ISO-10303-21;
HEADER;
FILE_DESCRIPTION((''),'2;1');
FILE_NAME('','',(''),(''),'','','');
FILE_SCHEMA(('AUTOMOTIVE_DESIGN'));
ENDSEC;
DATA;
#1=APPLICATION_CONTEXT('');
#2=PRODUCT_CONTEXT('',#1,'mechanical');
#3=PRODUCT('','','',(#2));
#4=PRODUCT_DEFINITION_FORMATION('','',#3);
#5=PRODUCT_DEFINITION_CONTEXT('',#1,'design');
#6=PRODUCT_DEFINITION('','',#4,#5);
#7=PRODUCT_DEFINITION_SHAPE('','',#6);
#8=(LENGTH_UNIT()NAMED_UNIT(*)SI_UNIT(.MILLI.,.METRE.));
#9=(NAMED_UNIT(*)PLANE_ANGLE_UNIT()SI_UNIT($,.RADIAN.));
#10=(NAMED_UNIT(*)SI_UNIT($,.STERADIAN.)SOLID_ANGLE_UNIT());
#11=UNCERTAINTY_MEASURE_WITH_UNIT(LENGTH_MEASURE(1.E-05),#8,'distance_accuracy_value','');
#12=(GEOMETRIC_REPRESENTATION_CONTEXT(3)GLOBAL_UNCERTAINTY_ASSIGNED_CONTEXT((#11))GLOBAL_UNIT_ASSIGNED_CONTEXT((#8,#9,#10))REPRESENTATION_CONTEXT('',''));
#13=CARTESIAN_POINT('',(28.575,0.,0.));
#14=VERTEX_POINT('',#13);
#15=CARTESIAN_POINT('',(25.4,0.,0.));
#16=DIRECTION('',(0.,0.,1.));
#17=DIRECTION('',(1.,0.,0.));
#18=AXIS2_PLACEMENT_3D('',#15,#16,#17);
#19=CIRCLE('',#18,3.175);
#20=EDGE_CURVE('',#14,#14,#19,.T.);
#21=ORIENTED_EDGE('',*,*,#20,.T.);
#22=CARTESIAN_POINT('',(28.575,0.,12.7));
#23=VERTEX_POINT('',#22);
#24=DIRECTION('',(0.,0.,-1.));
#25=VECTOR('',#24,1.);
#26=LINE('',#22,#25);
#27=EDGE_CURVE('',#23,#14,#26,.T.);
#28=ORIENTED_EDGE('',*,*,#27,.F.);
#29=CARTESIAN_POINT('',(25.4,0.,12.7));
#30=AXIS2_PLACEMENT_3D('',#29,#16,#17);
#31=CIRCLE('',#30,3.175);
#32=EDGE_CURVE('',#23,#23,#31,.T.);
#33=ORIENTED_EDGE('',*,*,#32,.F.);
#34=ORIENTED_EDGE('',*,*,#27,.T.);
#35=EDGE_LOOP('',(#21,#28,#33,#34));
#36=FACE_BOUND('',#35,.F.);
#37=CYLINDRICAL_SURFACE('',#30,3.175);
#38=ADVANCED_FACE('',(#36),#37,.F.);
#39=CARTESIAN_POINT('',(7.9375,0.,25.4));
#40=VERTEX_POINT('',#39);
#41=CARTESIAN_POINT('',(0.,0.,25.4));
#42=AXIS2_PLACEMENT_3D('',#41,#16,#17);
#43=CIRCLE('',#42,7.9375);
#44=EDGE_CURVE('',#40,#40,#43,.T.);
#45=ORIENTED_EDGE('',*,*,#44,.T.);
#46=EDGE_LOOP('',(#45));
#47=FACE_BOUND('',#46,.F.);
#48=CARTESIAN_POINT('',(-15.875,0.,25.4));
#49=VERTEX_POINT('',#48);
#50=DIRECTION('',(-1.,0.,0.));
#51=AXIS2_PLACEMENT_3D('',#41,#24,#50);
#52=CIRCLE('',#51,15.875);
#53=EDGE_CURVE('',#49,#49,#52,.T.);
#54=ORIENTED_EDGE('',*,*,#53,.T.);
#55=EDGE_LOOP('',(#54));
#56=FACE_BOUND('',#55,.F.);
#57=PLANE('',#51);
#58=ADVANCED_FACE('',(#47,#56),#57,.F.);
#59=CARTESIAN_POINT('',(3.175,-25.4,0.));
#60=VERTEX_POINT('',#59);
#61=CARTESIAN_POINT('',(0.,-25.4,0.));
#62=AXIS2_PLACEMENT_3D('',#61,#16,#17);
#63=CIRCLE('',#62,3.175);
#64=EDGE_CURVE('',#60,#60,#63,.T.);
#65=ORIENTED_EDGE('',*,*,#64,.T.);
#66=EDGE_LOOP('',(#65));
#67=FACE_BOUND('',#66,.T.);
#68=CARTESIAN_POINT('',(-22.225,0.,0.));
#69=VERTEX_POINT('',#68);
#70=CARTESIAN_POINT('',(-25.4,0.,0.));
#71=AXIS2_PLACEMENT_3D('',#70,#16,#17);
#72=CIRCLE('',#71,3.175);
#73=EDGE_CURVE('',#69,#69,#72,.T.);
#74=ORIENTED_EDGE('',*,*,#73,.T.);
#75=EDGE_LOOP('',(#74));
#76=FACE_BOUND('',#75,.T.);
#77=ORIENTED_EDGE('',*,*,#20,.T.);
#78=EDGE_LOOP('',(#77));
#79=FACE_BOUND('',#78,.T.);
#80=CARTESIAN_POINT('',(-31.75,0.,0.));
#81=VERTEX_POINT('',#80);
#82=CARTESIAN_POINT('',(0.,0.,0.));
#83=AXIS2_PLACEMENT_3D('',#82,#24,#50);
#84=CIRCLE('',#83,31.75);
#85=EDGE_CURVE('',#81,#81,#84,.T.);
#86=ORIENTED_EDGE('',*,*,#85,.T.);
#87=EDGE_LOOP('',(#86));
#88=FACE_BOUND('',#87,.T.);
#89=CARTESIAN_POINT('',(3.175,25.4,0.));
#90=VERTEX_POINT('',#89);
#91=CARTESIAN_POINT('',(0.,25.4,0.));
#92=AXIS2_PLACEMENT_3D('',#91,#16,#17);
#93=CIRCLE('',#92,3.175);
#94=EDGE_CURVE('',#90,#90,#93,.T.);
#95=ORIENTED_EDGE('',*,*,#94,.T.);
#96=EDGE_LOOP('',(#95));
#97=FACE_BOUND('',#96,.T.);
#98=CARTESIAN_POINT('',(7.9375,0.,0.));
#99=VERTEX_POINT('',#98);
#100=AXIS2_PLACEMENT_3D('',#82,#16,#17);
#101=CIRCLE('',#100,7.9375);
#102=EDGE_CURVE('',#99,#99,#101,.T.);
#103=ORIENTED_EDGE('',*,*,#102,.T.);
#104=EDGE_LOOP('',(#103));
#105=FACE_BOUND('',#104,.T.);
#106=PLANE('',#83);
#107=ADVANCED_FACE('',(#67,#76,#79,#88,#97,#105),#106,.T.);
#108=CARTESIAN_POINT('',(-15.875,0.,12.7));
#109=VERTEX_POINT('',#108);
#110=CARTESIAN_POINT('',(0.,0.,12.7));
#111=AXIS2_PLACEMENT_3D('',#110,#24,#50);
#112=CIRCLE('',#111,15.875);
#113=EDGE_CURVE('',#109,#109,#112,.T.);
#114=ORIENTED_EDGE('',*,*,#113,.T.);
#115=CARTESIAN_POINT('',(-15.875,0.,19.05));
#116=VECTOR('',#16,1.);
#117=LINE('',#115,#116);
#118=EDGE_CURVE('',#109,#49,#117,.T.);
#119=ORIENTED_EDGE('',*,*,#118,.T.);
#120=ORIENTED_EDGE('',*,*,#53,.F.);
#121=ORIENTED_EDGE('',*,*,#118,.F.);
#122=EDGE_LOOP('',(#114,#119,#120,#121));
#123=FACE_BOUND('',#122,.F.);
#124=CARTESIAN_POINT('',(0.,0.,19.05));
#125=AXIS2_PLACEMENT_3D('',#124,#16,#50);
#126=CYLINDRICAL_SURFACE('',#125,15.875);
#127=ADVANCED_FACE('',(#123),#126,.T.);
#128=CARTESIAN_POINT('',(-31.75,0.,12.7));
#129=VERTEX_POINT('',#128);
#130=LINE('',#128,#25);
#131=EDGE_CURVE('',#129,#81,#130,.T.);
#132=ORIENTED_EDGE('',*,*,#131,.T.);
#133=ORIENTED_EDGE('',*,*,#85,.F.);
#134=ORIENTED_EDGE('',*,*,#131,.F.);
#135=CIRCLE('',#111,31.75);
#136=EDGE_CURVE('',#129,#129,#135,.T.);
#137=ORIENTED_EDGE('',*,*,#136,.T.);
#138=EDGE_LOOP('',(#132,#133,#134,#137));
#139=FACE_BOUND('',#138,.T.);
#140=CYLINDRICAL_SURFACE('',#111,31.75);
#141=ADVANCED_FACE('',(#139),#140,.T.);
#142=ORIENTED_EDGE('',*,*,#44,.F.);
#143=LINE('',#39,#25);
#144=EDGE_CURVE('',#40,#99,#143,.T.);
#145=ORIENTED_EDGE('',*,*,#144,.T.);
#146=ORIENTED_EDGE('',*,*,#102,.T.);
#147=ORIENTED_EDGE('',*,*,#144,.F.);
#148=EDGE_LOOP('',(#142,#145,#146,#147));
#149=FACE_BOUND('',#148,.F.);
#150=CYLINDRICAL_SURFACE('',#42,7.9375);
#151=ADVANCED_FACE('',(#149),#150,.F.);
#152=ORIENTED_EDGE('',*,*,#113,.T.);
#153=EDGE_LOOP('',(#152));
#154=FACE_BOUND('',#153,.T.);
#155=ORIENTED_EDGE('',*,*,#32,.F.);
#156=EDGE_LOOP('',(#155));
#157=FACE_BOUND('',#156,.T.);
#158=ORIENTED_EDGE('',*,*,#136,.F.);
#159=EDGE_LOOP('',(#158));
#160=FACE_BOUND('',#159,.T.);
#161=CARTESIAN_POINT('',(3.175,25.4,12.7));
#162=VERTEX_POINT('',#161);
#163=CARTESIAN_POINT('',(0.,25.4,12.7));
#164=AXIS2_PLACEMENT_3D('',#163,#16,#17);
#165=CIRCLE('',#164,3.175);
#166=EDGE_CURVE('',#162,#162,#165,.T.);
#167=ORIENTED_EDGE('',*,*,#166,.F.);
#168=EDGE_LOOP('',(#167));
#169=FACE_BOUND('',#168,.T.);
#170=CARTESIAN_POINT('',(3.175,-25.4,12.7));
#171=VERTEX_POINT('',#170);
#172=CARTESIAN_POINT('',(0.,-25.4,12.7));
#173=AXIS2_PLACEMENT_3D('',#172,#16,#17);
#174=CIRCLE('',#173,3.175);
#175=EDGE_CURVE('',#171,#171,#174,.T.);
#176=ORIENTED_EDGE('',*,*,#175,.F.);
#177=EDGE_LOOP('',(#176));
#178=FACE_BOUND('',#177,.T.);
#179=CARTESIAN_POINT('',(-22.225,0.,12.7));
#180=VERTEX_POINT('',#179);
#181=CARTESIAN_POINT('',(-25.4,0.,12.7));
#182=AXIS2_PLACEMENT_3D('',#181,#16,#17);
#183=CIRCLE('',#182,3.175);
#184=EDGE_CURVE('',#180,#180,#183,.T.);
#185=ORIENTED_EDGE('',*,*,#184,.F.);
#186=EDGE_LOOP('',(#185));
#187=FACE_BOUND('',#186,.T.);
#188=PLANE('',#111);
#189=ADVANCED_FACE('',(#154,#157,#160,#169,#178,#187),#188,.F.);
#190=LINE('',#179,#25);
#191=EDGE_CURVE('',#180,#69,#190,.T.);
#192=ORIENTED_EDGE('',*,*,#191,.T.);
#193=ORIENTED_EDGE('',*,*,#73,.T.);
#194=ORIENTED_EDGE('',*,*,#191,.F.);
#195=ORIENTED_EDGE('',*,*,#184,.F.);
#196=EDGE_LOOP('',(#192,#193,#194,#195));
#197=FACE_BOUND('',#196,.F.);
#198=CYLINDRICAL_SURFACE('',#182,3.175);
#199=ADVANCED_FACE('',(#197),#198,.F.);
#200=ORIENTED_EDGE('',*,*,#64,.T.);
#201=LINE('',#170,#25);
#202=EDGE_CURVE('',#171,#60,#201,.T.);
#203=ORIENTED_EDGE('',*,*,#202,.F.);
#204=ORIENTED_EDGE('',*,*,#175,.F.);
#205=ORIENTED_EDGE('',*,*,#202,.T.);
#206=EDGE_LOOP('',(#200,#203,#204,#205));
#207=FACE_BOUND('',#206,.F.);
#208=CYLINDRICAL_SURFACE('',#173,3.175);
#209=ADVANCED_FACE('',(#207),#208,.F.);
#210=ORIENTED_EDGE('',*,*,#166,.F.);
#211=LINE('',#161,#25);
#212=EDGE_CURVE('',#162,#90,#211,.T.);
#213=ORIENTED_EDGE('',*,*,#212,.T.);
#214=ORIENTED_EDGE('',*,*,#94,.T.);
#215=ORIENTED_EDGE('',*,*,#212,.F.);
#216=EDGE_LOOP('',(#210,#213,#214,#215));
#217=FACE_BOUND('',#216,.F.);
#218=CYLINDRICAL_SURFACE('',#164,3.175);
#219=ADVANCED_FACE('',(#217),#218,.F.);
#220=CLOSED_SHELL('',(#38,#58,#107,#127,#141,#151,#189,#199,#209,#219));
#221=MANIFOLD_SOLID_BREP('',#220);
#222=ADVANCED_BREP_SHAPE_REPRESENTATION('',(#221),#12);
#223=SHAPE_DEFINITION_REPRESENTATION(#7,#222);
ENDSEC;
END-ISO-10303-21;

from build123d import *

# Parameters (mm, degrees)
F0_W     = 15.875
F0_H     = 12.7
F2_R     = 7.9375
F3_DEPTH = 25.401
F4_R     = 3.175
F5_DEPTH = 12.701


with BuildPart() as f1:
    # F0 (on Front) → F1 (revolve)
    with BuildSketch(Plane.XZ):
        Polygon((-31.75, 0), (0, 0), (0, 12.7), (-15.875, 12.7), (-31.75, 12.7), align=None)
        with Locations((-7.9375, 19.05)):
            Rectangle(F0_W, F0_H)
    revolve(axis=Axis((0, 0, 2.126115), (0, 0, -1)))

    # F2 (on face) → F3 (cut, through all)
    with BuildSketch(Plane.XY.offset(25.4)):
        Circle(F2_R)
    extrude(amount=-F3_DEPTH, mode=Mode.SUBTRACT)

    # F4 (on face) → F5 (cut, through all)
    with BuildSketch(Plane.XY.offset(12.7)):
        with Locations((0, 25.4)):
            Circle(F4_R)
        with Locations((25.4, 0)):
            Circle(F4_R)
        with Locations((0, -25.4)):
            Circle(F4_R)
        with Locations((-25.4, 0)):
            Circle(F4_R)
    extrude(amount=-F5_DEPTH, mode=Mode.SUBTRACT)


solid = f1.part
